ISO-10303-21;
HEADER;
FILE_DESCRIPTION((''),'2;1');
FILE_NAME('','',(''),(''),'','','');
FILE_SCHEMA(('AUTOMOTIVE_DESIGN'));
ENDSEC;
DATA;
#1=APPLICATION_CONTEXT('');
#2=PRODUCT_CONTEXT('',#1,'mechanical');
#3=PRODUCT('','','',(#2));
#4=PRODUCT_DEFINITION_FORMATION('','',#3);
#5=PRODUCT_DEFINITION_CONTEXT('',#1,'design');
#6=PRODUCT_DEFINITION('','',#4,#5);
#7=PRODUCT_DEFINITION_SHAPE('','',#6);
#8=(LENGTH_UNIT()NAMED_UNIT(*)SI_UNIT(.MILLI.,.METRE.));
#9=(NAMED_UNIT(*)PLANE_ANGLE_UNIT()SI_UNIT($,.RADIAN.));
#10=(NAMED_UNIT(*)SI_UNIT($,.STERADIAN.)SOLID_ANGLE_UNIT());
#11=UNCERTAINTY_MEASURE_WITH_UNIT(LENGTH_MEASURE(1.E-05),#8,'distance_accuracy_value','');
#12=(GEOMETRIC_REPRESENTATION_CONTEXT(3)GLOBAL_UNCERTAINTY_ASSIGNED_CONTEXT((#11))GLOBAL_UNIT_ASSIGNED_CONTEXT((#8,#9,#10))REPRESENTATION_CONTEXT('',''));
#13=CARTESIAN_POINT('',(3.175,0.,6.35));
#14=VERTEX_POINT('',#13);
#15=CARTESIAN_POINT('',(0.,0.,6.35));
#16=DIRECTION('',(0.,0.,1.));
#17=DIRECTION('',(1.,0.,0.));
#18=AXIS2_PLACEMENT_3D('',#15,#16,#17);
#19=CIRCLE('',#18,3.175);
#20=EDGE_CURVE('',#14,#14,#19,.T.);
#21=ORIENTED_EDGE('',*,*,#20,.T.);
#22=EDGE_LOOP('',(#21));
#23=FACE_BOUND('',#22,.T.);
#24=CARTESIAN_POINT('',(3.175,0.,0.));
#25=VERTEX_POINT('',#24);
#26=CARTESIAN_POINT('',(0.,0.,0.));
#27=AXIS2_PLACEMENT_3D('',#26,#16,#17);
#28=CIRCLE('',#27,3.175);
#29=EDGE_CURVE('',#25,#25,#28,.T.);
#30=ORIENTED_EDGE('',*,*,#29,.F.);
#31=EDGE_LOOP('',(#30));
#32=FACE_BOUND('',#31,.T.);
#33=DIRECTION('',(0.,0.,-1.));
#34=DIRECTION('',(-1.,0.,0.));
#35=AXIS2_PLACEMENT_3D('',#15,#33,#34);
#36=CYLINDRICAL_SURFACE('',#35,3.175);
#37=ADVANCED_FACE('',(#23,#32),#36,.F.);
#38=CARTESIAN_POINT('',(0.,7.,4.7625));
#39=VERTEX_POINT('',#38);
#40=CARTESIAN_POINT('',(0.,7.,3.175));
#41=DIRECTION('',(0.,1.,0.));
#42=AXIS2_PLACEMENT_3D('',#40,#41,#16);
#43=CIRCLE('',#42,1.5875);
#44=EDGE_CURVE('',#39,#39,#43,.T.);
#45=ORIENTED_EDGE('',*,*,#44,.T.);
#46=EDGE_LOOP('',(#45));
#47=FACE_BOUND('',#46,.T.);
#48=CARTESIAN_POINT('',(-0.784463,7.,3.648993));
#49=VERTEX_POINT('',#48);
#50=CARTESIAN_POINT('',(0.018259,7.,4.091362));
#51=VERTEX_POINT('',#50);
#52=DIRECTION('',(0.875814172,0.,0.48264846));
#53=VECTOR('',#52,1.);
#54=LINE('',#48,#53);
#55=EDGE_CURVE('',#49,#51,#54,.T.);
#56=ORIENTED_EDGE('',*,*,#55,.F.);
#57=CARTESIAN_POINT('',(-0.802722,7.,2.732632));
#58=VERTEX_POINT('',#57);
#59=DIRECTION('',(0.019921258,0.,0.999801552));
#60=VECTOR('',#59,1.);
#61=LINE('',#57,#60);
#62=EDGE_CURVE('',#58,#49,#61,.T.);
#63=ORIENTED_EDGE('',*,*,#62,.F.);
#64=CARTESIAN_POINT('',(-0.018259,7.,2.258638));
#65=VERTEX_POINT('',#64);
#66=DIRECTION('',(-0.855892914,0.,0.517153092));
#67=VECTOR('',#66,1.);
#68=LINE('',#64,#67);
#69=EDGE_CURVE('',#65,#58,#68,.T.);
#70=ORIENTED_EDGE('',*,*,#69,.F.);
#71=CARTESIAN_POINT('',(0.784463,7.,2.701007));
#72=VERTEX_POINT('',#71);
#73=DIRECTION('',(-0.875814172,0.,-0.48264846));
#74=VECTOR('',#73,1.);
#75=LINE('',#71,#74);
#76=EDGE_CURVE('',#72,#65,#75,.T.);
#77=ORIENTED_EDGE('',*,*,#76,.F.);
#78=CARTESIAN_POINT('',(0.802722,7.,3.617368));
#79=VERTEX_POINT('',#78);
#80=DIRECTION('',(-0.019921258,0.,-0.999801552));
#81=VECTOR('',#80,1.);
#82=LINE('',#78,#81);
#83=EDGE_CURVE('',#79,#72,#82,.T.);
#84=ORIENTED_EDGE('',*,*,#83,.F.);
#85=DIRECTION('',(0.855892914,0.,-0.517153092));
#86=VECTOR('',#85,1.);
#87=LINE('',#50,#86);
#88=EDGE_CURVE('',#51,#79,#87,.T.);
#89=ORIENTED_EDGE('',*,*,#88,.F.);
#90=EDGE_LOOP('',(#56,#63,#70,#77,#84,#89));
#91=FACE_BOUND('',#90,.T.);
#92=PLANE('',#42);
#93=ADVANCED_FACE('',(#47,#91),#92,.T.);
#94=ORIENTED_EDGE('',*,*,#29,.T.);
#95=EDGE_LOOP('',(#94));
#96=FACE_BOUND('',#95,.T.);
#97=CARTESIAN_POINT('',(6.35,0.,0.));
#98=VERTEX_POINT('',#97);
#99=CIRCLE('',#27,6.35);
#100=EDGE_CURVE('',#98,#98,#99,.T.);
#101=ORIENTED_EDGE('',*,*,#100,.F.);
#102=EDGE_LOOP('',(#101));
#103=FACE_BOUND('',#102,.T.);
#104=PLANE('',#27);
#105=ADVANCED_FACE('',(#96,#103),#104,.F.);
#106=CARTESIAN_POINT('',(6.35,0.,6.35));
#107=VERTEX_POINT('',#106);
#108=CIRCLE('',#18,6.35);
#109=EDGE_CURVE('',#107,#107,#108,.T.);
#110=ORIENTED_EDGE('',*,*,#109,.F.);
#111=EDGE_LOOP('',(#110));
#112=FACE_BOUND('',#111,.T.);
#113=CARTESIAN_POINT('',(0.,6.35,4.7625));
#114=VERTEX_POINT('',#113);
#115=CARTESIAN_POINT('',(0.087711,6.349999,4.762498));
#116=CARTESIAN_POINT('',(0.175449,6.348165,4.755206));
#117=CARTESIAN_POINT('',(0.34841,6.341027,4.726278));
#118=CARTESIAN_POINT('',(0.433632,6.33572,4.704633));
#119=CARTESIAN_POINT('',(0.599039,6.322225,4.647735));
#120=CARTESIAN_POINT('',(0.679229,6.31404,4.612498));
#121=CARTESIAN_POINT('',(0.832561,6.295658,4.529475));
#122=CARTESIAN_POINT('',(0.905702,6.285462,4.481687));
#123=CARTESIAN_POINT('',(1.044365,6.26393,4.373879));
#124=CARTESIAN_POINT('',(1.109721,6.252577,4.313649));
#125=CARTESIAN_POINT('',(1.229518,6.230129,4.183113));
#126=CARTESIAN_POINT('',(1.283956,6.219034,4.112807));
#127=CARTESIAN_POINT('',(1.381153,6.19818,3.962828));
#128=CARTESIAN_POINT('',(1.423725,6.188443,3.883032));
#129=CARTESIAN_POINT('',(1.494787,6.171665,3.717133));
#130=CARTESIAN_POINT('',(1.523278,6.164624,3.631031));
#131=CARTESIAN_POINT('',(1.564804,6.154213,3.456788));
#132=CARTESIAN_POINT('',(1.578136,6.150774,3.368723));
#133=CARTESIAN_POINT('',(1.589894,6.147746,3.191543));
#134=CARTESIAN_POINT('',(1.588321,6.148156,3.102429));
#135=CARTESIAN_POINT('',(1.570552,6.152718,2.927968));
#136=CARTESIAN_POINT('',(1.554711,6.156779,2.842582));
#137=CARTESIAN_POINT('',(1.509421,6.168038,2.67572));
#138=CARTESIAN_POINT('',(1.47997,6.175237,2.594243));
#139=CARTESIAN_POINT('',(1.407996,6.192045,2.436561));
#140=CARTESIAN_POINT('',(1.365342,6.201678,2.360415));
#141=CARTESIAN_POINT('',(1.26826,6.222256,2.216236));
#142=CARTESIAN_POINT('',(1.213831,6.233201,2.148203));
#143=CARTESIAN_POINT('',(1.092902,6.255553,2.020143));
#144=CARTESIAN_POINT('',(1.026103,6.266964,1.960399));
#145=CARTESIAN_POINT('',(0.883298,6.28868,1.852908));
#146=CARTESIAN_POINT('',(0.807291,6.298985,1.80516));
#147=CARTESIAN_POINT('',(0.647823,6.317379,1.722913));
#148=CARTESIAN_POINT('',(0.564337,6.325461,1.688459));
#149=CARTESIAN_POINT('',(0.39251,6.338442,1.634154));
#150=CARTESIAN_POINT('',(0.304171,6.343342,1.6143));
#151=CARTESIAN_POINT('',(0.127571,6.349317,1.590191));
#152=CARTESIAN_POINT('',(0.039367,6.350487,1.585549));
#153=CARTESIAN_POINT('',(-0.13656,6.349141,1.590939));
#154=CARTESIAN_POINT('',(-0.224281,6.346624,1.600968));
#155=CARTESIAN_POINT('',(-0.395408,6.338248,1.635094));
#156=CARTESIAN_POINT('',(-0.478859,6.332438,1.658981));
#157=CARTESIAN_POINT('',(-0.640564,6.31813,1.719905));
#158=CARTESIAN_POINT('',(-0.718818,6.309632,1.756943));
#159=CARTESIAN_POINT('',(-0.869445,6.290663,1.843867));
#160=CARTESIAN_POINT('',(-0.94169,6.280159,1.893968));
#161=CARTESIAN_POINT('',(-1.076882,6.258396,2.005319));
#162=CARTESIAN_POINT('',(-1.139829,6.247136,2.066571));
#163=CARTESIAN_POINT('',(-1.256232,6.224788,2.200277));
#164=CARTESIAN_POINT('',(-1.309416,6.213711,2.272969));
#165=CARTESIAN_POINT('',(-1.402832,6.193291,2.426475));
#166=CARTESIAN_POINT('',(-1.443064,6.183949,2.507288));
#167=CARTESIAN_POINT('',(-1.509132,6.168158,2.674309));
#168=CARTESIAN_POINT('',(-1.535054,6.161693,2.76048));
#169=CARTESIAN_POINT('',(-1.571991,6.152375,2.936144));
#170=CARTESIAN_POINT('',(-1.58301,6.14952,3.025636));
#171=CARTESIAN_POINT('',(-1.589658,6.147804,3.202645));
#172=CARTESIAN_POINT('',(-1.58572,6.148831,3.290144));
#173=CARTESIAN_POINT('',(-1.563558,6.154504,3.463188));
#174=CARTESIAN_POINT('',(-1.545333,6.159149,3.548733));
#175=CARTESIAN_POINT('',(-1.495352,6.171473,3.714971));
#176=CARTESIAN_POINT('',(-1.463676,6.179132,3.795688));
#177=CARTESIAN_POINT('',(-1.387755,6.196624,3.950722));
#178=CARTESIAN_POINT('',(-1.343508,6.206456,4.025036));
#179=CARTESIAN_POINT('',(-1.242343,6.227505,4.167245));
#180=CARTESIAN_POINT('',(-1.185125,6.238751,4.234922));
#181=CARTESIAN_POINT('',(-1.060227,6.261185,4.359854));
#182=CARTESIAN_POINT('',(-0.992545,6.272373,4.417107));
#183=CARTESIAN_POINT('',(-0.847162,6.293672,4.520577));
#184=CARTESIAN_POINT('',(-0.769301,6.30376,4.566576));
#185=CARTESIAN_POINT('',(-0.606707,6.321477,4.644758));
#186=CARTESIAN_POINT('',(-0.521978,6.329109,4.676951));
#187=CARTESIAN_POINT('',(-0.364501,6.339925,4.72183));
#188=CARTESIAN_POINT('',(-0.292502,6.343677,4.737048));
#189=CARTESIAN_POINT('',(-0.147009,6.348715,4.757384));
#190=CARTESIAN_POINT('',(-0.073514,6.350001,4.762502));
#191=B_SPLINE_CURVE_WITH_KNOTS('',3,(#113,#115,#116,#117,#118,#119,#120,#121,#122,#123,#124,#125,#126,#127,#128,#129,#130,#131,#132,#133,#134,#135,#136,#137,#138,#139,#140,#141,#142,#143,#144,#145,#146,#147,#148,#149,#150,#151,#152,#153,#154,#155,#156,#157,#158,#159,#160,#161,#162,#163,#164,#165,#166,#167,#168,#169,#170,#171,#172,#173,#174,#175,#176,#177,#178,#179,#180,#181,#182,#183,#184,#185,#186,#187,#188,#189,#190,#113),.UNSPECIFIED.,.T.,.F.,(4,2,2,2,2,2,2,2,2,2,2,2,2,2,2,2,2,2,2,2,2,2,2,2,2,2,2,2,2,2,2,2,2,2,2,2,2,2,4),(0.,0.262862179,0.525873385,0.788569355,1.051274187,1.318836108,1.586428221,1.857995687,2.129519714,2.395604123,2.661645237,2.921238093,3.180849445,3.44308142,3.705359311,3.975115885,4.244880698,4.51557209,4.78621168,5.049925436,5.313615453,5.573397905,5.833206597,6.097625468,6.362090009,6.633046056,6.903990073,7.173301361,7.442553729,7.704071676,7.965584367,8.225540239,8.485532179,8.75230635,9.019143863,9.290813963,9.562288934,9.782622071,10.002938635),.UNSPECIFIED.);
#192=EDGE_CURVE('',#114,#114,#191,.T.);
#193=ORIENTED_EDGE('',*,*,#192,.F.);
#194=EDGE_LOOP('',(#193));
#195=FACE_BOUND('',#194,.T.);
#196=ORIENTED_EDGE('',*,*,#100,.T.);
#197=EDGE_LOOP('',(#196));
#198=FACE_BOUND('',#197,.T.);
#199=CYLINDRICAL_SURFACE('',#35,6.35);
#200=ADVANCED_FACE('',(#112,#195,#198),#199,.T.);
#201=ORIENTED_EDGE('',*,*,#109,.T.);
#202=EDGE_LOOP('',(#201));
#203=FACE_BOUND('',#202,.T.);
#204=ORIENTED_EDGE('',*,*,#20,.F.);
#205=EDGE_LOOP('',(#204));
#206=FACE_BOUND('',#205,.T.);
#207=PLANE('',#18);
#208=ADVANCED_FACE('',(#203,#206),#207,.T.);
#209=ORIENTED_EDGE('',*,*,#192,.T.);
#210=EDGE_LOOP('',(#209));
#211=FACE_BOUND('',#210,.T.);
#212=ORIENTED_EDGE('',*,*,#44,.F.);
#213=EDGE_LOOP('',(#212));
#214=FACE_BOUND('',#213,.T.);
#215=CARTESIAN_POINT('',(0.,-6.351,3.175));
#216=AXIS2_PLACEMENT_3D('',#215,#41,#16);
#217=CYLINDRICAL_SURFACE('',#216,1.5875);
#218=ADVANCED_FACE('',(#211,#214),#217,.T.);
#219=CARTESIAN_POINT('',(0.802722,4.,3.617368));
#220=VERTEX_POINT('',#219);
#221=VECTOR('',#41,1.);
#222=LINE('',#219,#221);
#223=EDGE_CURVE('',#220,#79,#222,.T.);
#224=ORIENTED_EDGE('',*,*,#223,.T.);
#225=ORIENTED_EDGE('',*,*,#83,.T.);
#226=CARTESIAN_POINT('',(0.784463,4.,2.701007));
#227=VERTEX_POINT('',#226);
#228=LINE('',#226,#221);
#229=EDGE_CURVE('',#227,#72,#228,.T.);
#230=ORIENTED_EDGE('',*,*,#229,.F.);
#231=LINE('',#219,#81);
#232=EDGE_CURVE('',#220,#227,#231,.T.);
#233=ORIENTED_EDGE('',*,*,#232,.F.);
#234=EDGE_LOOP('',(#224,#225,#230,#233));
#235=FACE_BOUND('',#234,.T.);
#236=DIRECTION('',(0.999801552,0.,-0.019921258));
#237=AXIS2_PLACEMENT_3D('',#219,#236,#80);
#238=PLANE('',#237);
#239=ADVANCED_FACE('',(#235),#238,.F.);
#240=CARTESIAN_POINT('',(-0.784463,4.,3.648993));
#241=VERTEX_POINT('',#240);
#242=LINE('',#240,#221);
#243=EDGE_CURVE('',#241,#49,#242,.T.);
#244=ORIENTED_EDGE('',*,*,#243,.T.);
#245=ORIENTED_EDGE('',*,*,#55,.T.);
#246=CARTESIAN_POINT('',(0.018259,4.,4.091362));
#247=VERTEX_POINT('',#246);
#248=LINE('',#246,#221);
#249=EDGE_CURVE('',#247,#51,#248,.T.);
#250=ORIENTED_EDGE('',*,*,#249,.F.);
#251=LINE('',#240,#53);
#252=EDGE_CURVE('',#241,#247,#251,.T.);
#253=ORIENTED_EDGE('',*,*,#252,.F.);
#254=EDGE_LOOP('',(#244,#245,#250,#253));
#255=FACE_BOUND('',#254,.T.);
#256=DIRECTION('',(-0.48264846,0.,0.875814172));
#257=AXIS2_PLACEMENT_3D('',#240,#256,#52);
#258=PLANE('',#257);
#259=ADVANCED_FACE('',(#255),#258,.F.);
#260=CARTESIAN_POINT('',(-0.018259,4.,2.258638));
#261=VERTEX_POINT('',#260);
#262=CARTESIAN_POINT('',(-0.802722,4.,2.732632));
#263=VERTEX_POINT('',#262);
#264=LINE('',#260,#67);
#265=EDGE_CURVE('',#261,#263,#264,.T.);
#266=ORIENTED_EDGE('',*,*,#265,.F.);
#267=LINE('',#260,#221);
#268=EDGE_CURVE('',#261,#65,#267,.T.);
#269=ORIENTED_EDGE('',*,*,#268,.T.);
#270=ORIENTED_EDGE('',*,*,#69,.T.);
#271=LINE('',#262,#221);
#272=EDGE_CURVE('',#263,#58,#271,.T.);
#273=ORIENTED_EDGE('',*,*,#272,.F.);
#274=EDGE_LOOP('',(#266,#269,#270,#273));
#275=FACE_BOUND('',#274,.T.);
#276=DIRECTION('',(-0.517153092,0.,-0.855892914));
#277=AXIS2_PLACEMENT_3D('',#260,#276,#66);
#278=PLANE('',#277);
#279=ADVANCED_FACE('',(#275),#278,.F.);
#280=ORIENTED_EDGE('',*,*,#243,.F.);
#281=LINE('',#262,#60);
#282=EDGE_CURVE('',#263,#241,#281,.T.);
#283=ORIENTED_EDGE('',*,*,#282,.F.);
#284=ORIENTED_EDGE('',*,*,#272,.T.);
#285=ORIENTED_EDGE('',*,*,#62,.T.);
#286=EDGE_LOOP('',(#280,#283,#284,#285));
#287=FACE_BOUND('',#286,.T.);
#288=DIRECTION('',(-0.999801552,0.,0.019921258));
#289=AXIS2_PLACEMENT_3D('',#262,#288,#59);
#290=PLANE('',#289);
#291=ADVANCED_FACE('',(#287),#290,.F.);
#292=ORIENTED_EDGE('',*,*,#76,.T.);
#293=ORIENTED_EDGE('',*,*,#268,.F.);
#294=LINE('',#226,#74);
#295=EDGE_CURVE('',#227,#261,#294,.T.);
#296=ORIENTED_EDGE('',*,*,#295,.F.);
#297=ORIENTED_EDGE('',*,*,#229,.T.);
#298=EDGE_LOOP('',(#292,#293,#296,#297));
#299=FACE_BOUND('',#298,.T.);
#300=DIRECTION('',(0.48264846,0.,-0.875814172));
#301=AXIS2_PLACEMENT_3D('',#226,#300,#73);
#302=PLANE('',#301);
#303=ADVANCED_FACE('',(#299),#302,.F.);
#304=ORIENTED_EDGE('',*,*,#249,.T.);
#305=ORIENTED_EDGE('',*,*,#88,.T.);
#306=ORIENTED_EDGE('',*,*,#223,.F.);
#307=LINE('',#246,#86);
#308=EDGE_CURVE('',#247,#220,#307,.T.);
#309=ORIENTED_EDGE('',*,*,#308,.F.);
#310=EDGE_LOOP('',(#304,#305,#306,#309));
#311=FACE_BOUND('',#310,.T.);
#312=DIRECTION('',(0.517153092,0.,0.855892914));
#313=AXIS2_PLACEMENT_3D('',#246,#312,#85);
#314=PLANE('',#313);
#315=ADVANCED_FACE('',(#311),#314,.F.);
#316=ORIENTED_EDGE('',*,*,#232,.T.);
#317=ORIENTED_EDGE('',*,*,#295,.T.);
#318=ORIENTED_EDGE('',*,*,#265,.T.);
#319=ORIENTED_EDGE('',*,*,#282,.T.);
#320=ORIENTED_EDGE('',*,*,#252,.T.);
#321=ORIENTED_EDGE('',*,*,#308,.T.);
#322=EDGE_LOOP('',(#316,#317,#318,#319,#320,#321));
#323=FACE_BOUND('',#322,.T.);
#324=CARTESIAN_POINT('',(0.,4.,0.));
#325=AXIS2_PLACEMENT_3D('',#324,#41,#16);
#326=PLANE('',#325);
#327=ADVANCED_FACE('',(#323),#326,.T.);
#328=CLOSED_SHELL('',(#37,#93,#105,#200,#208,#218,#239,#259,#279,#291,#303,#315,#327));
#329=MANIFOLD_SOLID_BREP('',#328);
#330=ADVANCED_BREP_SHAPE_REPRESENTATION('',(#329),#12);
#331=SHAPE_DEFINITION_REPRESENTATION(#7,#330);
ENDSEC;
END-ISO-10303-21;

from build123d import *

# Parameters (mm, degrees)
SKETCH1_R            = 6.35
SKETCH1_R_2          = 3.175
BODY_DEPTH           = 6.35
SET_SCREW_REACH      = 18.089
SET_SCREW_END_RADIUS = 6.35
SKETCH2_R            = 1.5875
HEX_KEY_DEPTH        = 3


with BuildPart() as part:
    # Sketch1 → Body (new body)
    with BuildSketch(Plane.XY):
        Circle(SKETCH1_R)
        Circle(SKETCH1_R_2, mode=Mode.SUBTRACT)
    extrude(amount=BODY_DEPTH)

    # Set Screw: up to this cylinder (the profile starts outside it)
    set_screw_end = Plane(origin=(0, 0, 3.175), z_dir=(0, 0, -1)) * Cylinder(SET_SCREW_END_RADIUS, 49.878, mode=Mode.PRIVATE)
    # Sketch2 → Set Screw (add, up to the surface)
    with BuildSketch(Plane(origin=(0, 7, 0), x_dir=(1, 0, 0), z_dir=(0, 1, 0)), mode=Mode.PRIVATE) as set_screw_sk1:
        with Locations(Location((0, -3.175, 0), (0, 0, 270))):
            Circle(SKETCH2_R)
    set_screw_tool1 = extrude(set_screw_sk1.sketch, amount=-SET_SCREW_REACH, mode=Mode.PRIVATE) - set_screw_end
    add(set_screw_tool1.solids().sort_by_distance((0, 7, 3.175))[0])

    # Sketch3 → Hex Key (cut)
    with BuildSketch(Plane(origin=(0, 7, 0), x_dir=(1, 0, 0), z_dir=(0, 1, 0))):
        Polygon((0.802721832, -3.617368334), (0.784463132, -2.701006668), (-0.018258701, -2.258638334), (-0.802721832, -2.732631666), (-0.784463132, -3.648993332), (0.018258701, -4.091361666), align=None)
    extrude(amount=-HEX_KEY_DEPTH, mode=Mode.SUBTRACT)


solid = part.part
